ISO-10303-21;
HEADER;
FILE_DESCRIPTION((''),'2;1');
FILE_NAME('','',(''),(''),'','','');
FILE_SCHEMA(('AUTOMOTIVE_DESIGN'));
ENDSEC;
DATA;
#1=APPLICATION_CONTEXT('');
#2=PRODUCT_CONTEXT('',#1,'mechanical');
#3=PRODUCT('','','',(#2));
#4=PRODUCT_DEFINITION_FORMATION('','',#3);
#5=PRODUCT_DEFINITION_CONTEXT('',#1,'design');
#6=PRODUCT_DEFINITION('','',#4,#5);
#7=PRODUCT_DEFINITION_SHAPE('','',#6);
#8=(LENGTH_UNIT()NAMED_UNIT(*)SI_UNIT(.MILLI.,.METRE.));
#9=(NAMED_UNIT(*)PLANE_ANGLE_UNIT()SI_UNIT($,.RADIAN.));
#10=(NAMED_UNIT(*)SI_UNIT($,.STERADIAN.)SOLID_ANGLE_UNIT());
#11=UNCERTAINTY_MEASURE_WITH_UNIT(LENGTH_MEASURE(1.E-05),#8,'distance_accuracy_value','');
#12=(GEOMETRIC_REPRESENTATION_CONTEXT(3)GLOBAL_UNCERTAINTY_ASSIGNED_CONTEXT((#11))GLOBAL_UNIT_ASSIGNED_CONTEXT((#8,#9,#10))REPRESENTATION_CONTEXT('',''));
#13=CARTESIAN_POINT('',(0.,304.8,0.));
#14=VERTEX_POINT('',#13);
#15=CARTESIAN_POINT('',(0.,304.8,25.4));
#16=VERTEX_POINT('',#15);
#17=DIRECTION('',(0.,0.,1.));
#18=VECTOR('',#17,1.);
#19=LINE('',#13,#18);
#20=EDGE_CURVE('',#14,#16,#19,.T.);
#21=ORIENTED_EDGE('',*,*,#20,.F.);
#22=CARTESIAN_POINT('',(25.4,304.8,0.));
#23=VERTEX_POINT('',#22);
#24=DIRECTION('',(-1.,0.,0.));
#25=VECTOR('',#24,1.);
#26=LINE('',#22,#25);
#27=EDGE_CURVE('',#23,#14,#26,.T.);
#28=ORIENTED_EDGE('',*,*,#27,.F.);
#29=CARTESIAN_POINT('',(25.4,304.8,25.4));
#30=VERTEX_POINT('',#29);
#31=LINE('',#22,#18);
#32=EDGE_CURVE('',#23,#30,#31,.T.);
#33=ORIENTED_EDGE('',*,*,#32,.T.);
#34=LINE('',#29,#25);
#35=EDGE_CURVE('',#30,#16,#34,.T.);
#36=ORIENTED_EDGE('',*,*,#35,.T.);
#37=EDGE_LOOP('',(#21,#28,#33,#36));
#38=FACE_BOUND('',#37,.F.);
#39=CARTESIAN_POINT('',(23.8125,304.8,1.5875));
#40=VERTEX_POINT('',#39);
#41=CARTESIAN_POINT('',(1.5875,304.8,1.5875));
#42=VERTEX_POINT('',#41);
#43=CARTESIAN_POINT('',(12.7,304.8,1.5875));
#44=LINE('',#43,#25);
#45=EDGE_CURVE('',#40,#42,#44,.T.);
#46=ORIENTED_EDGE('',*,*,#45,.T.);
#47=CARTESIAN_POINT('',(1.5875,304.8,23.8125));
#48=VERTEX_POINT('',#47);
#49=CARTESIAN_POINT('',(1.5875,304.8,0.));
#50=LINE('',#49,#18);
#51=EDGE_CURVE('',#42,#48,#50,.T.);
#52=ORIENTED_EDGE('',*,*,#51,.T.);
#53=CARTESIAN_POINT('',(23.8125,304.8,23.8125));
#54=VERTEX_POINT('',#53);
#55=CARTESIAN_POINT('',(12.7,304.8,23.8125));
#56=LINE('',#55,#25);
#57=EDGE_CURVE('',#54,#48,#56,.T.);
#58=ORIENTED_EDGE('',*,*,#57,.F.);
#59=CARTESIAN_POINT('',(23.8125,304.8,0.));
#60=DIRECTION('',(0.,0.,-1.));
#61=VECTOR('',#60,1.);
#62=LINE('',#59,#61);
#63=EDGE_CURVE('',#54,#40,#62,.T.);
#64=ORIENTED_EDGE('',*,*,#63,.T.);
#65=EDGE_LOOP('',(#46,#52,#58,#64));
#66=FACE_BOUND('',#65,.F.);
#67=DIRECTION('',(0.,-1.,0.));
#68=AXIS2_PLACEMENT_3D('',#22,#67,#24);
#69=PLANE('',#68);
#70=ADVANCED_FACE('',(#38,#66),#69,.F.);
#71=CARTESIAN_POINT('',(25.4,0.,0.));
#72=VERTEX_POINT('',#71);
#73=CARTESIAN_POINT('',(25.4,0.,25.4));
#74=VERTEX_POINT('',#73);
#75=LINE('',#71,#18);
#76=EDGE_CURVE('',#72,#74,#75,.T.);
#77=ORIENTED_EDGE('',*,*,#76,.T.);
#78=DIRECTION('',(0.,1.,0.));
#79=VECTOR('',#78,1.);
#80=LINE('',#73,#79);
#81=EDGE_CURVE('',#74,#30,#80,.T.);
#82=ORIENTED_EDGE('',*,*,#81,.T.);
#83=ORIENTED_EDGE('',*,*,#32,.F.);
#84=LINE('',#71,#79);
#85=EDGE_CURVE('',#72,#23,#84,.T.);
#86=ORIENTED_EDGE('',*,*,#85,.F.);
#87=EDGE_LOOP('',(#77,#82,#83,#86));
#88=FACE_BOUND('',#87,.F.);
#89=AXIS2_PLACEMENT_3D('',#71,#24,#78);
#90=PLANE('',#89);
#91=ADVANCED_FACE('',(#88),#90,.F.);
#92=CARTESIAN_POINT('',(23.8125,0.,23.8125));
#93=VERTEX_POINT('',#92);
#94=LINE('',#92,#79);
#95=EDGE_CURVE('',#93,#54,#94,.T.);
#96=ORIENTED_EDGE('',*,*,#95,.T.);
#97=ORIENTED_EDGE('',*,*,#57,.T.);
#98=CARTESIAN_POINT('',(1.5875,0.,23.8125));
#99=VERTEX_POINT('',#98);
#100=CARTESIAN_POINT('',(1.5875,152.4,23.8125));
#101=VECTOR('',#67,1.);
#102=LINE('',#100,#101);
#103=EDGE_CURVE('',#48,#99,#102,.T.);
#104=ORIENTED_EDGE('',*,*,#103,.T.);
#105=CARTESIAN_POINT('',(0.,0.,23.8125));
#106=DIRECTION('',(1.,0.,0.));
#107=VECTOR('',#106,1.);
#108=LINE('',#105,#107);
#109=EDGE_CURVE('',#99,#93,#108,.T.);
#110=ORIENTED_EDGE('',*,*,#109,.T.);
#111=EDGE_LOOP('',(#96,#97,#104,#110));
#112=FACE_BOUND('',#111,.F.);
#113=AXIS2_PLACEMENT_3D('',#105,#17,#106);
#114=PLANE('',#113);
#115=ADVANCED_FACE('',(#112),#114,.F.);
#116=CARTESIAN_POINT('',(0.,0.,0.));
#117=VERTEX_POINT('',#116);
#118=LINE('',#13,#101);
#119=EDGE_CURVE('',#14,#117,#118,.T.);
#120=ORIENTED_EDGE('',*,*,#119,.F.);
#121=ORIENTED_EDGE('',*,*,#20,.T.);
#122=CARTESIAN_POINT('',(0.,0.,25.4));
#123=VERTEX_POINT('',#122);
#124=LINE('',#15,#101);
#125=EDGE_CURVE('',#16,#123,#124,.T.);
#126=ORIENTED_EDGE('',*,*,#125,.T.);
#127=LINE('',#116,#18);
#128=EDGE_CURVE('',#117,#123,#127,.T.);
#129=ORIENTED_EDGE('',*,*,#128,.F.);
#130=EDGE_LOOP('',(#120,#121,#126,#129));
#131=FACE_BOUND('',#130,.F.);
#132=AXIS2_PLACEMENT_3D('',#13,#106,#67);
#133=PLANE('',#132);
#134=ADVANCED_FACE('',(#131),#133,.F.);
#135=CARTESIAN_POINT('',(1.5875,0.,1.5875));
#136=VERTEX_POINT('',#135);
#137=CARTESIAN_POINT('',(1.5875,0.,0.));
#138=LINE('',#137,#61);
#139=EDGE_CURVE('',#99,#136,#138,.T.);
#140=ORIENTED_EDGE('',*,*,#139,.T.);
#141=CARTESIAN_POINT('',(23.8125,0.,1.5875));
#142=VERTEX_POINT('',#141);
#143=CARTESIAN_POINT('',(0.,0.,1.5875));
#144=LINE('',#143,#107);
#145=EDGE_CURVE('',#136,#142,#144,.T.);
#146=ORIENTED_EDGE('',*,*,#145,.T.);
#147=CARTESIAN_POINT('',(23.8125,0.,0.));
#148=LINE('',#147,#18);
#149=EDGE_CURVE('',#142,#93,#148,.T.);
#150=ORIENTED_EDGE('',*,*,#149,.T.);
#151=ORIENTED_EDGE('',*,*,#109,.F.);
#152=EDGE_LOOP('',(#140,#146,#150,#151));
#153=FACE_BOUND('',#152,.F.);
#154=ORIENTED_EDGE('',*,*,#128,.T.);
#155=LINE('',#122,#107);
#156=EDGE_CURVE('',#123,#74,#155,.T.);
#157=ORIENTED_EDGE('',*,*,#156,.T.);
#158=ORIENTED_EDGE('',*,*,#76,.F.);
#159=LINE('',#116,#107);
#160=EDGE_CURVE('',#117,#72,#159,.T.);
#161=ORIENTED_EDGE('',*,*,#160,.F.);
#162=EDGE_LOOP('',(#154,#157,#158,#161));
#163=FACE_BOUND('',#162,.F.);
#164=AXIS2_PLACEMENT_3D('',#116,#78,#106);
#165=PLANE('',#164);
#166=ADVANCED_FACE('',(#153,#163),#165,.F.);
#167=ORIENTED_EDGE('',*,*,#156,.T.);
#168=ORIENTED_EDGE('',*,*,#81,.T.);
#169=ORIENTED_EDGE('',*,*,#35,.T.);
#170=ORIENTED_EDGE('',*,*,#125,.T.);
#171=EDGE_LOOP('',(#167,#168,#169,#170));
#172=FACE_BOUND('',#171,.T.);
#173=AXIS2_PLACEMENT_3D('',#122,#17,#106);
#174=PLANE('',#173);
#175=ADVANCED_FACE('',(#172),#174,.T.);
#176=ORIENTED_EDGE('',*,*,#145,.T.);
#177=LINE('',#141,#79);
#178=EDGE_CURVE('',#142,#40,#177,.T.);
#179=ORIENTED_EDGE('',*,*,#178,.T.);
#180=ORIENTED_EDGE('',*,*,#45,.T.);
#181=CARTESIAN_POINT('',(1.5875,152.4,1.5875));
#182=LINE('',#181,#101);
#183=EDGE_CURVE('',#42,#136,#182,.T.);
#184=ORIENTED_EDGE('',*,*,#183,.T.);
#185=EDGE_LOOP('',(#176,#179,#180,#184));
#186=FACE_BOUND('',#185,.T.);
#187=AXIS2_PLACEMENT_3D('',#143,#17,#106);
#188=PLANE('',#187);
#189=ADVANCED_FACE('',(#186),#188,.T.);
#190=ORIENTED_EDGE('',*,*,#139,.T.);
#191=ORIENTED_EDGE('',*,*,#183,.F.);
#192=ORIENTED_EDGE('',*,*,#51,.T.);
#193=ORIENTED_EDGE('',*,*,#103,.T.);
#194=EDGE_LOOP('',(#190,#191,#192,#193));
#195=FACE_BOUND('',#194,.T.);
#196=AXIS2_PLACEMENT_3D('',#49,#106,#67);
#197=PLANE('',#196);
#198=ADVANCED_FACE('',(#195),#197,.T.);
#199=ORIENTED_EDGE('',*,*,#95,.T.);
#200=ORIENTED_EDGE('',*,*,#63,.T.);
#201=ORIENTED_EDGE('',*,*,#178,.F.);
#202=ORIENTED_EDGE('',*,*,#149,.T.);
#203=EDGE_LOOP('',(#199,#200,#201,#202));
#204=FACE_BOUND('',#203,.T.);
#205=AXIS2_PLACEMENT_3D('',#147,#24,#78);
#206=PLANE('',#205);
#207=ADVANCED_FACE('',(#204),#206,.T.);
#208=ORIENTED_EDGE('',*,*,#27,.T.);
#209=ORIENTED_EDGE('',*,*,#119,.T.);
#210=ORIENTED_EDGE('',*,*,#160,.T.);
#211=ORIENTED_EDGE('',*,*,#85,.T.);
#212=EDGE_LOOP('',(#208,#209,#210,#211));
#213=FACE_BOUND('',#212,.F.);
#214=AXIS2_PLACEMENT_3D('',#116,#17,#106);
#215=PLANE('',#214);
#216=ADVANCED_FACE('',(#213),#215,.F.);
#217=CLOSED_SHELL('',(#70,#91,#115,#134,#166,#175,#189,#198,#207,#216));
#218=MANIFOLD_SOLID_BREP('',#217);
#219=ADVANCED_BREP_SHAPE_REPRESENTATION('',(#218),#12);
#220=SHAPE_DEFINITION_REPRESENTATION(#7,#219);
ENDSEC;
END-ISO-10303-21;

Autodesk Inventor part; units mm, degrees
ref_plane "YZ Plane" through (0, 0, 0) normal (1, 0, 0) x (0, 1, 0)
ref_plane "XZ Plane" through (0, 0, 0) normal (0, 1, 0) x (-1, 0, 0)
ref_plane "XY Plane" through (0, 0, 0) normal (0, 0, 1) x (1, 0, 0)
sketch "Sketch1" plane through (0, 0, 0) normal (0, 0, 1) x (1, 0, 0)
  line L0 (0, 0) -> (25.4, 0)
  line L1 (25.4, 0) -> (25.4, 304.8)
  line L2 (25.4, 304.8) -> (0, 304.8)
  line L3 (0, 304.8) -> (0, 0)
  dimension "d0" = 25.4
  dimension "d1" = 304.8
extrude "Extrusion1" add sketch "Sketch1" along normal blind 25.4
shell "Shell1" thickness 1.5875 removed faces 2 at (16.9333, 304.8, 8.4667) at (8.4667, 0, 8.4667)
properties part number "Frame_FrontVerticalShooterSupport" material "Aluminum-6061"
